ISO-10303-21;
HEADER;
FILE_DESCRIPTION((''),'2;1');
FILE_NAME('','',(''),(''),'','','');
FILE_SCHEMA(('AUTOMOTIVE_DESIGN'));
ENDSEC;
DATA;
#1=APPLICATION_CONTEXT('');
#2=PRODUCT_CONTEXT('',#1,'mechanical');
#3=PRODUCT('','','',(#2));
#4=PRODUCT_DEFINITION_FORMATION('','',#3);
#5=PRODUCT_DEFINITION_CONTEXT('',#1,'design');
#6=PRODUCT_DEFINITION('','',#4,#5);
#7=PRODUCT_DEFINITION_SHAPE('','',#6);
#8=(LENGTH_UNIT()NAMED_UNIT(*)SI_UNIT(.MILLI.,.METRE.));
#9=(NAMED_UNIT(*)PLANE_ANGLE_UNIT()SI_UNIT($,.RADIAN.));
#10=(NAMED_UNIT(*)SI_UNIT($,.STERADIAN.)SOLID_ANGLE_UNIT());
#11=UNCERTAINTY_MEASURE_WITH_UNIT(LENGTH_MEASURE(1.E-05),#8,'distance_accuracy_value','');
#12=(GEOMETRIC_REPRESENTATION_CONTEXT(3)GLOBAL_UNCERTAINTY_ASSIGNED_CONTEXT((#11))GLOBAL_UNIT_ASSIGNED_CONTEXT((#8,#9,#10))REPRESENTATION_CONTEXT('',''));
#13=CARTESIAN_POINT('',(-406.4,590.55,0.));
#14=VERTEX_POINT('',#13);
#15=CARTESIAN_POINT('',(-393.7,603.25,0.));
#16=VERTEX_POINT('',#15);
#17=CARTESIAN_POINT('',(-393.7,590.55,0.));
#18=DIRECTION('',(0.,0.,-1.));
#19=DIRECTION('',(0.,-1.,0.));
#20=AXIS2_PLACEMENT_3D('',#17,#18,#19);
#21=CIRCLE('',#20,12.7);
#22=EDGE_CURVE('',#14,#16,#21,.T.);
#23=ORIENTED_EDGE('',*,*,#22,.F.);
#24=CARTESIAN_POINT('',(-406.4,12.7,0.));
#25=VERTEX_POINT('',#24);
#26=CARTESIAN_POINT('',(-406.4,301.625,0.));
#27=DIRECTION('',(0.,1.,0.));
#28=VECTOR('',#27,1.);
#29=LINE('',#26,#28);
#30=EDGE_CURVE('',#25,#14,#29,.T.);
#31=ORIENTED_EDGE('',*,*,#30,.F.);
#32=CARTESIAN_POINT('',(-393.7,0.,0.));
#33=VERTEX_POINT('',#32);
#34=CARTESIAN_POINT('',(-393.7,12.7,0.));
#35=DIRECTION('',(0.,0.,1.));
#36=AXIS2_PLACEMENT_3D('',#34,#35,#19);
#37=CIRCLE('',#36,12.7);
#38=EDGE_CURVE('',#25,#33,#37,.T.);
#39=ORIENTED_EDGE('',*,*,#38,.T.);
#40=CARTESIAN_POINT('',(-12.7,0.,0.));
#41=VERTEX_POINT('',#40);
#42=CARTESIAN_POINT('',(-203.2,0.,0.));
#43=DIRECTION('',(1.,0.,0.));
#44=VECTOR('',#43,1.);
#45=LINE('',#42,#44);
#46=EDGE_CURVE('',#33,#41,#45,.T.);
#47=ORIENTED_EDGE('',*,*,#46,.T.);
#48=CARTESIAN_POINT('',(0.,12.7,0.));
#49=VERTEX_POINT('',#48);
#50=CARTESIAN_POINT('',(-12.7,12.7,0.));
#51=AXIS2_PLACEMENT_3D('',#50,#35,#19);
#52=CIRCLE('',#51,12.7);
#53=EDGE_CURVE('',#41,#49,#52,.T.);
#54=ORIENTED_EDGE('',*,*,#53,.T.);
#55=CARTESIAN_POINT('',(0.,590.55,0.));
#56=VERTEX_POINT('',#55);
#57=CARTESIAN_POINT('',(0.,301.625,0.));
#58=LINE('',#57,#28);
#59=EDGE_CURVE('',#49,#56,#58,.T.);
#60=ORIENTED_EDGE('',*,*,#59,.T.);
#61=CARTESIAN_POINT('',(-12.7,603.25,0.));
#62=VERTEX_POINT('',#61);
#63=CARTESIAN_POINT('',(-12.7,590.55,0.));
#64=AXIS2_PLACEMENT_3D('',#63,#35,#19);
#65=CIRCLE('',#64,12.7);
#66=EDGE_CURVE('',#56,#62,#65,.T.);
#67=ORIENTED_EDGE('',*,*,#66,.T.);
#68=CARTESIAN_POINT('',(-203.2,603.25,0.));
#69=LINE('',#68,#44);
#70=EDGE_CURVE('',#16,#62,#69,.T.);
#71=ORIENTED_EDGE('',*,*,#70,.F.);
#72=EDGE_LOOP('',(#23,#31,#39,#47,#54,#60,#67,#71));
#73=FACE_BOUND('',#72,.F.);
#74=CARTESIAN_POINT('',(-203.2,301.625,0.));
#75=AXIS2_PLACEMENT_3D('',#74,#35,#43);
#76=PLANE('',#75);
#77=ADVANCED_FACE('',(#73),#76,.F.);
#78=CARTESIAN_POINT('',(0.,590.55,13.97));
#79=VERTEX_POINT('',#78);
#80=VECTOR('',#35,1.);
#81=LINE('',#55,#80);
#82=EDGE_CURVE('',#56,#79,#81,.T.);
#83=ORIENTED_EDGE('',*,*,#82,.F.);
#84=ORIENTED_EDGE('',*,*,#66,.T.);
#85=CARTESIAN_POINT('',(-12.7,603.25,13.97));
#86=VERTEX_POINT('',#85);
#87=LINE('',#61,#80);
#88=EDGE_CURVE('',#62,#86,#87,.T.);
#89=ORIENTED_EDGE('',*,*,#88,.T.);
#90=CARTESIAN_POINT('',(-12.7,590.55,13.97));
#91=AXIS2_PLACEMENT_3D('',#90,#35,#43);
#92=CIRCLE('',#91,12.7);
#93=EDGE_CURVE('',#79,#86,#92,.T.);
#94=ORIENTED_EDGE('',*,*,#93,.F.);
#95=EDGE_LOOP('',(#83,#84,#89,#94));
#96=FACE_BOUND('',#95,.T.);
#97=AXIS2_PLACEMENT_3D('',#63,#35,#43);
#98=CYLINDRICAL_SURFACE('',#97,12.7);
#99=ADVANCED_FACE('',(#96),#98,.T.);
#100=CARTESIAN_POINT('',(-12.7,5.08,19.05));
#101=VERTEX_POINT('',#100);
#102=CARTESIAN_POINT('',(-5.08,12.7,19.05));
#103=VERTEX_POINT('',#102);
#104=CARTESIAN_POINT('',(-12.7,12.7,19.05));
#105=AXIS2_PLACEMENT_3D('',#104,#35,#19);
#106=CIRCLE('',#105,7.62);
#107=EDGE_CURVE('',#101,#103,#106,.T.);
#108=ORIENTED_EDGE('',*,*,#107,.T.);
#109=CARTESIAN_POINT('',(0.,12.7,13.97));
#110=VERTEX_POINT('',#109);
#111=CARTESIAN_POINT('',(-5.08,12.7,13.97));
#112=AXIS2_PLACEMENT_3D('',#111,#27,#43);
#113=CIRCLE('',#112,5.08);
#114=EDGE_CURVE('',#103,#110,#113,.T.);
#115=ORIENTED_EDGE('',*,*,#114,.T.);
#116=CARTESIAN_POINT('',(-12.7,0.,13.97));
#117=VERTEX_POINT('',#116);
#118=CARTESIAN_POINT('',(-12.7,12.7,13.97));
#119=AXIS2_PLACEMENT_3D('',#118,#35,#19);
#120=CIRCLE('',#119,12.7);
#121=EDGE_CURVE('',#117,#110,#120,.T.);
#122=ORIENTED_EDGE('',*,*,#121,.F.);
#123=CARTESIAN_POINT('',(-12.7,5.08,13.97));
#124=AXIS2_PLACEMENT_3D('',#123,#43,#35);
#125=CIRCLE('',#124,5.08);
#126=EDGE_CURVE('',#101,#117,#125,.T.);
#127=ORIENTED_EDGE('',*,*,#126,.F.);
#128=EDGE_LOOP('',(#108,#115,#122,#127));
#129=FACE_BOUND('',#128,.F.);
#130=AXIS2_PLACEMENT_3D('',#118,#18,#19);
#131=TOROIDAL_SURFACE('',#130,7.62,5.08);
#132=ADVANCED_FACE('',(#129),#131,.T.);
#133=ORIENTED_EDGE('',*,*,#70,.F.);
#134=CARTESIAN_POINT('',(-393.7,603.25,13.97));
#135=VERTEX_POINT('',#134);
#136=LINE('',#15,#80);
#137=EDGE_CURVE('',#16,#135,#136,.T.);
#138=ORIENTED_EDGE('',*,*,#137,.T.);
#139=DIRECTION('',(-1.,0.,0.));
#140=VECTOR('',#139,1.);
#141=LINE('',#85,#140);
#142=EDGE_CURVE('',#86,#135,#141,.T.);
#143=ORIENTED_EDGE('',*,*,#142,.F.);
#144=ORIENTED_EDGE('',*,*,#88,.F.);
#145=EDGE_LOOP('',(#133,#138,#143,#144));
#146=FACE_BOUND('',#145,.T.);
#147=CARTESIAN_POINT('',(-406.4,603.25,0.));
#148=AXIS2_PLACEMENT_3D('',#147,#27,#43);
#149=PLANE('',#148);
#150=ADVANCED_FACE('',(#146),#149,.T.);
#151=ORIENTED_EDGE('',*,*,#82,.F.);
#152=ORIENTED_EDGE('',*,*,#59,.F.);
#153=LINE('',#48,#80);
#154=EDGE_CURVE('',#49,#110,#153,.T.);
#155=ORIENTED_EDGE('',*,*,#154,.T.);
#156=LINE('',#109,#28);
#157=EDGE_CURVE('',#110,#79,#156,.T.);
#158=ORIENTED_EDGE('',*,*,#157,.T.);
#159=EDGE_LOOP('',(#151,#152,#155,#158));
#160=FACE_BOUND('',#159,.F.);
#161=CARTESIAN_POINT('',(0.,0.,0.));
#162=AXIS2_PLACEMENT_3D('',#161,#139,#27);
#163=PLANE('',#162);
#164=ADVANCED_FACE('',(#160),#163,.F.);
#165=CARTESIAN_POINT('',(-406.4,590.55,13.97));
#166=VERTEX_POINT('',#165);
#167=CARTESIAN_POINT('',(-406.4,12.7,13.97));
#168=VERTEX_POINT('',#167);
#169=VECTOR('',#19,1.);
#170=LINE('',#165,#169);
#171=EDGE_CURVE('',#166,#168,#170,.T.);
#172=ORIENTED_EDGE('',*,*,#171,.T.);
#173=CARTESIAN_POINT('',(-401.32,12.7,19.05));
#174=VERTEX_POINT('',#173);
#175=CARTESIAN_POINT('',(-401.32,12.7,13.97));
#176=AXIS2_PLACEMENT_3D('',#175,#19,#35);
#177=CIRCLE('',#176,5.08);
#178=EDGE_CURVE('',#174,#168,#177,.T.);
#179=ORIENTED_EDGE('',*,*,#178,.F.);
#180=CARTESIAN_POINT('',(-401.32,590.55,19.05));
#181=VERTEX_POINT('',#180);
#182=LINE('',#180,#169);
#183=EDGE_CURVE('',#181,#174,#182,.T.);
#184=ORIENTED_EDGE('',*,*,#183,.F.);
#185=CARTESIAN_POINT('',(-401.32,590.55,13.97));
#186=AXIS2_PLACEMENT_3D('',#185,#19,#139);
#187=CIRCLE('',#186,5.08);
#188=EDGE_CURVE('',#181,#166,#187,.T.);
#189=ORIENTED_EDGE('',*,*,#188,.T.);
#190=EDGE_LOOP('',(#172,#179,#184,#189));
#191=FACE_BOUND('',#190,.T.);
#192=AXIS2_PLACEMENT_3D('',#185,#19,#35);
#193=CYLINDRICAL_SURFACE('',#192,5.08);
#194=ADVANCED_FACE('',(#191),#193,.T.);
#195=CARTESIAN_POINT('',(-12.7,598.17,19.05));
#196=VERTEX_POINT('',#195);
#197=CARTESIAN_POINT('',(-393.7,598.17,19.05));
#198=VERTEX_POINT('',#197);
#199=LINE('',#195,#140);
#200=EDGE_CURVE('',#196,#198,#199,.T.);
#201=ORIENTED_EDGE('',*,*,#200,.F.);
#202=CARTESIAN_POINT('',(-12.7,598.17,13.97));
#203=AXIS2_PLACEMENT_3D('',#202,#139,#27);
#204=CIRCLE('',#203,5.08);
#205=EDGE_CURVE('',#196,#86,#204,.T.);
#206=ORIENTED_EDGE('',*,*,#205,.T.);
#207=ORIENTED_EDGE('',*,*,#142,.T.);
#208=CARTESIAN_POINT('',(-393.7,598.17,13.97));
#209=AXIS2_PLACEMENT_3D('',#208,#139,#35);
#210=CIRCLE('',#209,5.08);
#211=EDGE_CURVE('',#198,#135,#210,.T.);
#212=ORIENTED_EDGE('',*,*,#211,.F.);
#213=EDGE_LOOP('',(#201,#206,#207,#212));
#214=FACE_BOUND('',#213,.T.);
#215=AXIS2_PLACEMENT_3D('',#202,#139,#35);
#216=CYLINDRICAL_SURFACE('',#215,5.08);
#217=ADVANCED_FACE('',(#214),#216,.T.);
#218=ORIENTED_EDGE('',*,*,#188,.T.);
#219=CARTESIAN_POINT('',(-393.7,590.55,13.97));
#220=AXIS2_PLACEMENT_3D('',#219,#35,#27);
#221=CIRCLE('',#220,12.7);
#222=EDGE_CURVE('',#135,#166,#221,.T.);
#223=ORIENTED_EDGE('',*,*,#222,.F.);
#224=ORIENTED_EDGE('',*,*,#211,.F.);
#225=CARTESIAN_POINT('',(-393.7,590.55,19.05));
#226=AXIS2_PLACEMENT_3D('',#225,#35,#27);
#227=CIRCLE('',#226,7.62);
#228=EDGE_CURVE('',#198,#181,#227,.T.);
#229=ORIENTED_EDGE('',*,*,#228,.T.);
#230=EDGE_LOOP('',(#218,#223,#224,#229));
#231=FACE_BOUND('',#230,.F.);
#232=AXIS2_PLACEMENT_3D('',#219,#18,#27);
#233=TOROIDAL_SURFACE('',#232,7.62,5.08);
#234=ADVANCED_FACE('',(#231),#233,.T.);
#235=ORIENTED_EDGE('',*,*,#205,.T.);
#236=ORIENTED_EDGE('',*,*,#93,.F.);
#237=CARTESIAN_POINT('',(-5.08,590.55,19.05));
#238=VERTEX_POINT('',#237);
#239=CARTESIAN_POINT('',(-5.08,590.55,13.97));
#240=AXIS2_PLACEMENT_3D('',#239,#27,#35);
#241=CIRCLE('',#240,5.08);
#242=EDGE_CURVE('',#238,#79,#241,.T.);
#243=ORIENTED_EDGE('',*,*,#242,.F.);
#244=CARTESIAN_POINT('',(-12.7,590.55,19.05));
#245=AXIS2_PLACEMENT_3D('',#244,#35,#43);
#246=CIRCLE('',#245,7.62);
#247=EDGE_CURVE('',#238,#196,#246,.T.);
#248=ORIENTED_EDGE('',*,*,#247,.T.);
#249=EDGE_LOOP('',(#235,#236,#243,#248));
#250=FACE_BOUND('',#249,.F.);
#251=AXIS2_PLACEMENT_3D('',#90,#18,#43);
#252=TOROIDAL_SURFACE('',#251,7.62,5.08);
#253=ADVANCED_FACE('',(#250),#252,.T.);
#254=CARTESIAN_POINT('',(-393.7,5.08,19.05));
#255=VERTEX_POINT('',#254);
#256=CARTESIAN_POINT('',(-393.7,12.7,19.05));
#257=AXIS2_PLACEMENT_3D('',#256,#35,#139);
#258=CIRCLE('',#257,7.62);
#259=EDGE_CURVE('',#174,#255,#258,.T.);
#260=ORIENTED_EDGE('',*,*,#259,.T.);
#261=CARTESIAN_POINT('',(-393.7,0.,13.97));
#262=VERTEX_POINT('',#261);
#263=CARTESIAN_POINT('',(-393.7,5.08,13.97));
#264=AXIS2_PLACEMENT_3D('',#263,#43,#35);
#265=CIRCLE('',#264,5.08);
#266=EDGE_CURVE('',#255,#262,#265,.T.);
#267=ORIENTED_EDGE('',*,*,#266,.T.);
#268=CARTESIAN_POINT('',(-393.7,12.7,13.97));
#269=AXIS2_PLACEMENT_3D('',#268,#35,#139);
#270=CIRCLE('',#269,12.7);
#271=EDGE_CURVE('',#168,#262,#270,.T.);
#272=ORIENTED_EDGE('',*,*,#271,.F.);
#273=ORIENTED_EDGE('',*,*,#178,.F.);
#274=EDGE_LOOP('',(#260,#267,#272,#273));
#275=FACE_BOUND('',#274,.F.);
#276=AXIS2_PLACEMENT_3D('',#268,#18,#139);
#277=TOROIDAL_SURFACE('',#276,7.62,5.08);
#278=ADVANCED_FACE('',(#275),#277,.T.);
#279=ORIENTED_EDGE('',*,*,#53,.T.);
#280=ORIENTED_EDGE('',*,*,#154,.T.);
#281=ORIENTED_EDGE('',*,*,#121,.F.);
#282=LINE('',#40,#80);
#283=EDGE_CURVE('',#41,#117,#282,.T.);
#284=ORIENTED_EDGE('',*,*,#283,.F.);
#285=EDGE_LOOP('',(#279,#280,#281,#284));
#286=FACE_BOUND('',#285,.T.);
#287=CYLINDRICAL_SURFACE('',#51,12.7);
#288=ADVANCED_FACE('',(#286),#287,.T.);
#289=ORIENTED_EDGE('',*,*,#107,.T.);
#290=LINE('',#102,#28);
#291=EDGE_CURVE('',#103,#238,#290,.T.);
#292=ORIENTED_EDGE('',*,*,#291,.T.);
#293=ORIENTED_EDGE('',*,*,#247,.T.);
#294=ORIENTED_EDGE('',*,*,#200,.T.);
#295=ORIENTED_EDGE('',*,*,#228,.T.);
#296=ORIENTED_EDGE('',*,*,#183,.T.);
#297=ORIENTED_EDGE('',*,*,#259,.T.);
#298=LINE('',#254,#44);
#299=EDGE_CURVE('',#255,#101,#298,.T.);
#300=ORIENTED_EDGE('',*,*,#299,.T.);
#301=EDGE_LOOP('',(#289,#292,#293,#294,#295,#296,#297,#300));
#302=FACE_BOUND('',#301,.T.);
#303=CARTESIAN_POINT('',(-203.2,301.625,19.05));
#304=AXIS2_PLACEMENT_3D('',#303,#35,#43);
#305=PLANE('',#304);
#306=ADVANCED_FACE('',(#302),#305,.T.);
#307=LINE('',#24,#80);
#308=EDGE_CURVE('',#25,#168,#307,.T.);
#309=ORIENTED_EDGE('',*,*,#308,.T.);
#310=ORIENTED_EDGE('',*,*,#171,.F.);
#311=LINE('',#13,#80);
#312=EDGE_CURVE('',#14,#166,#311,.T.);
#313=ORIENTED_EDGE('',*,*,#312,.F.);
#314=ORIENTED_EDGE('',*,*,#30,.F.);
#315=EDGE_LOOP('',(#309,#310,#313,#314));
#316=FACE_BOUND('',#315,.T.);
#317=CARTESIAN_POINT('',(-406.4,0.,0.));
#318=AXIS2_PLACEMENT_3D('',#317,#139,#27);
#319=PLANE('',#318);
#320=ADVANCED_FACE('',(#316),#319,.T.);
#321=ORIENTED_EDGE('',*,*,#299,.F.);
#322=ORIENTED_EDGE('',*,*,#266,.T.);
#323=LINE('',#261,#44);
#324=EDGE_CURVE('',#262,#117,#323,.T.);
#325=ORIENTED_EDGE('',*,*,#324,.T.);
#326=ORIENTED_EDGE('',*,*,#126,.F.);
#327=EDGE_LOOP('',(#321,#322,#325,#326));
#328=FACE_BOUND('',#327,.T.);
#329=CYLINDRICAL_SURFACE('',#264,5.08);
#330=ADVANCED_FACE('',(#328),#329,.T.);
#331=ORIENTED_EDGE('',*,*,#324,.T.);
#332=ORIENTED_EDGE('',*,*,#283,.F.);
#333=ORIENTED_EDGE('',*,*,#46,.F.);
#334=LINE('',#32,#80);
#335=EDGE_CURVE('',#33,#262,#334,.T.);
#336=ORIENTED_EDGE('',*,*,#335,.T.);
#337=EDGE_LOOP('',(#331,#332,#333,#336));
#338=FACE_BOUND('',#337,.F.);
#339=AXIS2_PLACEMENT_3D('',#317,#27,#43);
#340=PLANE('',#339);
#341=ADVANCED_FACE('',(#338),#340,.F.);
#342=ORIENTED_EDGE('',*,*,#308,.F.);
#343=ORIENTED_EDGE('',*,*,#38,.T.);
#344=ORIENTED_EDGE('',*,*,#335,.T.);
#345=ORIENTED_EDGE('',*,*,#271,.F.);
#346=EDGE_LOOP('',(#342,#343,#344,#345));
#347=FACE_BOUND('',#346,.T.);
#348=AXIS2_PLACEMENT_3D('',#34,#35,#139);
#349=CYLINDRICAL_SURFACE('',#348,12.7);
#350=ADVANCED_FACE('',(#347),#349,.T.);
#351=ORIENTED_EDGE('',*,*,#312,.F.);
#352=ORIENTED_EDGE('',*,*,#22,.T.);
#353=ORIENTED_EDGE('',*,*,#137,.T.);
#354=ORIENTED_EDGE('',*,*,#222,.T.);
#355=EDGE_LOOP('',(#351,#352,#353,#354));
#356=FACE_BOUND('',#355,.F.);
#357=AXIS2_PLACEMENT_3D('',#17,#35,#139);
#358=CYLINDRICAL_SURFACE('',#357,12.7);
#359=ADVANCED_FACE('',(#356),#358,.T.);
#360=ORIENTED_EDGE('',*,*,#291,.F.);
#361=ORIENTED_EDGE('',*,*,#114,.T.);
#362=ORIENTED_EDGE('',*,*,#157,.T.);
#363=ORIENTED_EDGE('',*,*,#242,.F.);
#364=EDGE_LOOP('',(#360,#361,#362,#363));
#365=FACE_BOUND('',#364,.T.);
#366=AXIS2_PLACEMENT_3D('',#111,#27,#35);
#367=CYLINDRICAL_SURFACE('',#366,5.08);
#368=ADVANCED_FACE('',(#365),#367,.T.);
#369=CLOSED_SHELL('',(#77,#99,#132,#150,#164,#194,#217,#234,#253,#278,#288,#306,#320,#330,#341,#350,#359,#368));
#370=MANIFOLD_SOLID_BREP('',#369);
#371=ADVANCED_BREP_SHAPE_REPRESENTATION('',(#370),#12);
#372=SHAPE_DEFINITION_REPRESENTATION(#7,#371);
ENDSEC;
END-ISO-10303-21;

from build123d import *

# Parameters (mm, degrees)
F0_W     = 406.4
F0_H     = 603.25
F1_DEPTH = 19.05
F2_R     = 12.7
F3_R     = 5.08


with BuildPart() as f1:
    # F0 (on Top) → F1 (new body)
    with BuildSketch(Plane.XY):
        with Locations((-203.2, 301.625)):
            Rectangle(F0_W, F0_H)
    extrude(amount=F1_DEPTH)

    # F2
    f2_edges = [f1.edges().sort_by_distance(p)[0] for p in [
        (-406.4, 0, 9.525),
        (0, 0, 9.525),
        (0, 603.25, 9.525),
        (-406.4, 603.25, 9.525),
    ]]
    fillet(f2_edges, radius=F2_R)

    # F3
    f3_edges = [f1.edges().sort_by_distance(p)[0] for p in [
        (-203.2, 0, 19.05),
    ]]
    fillet(f3_edges, radius=F3_R)


solid = f1.part
